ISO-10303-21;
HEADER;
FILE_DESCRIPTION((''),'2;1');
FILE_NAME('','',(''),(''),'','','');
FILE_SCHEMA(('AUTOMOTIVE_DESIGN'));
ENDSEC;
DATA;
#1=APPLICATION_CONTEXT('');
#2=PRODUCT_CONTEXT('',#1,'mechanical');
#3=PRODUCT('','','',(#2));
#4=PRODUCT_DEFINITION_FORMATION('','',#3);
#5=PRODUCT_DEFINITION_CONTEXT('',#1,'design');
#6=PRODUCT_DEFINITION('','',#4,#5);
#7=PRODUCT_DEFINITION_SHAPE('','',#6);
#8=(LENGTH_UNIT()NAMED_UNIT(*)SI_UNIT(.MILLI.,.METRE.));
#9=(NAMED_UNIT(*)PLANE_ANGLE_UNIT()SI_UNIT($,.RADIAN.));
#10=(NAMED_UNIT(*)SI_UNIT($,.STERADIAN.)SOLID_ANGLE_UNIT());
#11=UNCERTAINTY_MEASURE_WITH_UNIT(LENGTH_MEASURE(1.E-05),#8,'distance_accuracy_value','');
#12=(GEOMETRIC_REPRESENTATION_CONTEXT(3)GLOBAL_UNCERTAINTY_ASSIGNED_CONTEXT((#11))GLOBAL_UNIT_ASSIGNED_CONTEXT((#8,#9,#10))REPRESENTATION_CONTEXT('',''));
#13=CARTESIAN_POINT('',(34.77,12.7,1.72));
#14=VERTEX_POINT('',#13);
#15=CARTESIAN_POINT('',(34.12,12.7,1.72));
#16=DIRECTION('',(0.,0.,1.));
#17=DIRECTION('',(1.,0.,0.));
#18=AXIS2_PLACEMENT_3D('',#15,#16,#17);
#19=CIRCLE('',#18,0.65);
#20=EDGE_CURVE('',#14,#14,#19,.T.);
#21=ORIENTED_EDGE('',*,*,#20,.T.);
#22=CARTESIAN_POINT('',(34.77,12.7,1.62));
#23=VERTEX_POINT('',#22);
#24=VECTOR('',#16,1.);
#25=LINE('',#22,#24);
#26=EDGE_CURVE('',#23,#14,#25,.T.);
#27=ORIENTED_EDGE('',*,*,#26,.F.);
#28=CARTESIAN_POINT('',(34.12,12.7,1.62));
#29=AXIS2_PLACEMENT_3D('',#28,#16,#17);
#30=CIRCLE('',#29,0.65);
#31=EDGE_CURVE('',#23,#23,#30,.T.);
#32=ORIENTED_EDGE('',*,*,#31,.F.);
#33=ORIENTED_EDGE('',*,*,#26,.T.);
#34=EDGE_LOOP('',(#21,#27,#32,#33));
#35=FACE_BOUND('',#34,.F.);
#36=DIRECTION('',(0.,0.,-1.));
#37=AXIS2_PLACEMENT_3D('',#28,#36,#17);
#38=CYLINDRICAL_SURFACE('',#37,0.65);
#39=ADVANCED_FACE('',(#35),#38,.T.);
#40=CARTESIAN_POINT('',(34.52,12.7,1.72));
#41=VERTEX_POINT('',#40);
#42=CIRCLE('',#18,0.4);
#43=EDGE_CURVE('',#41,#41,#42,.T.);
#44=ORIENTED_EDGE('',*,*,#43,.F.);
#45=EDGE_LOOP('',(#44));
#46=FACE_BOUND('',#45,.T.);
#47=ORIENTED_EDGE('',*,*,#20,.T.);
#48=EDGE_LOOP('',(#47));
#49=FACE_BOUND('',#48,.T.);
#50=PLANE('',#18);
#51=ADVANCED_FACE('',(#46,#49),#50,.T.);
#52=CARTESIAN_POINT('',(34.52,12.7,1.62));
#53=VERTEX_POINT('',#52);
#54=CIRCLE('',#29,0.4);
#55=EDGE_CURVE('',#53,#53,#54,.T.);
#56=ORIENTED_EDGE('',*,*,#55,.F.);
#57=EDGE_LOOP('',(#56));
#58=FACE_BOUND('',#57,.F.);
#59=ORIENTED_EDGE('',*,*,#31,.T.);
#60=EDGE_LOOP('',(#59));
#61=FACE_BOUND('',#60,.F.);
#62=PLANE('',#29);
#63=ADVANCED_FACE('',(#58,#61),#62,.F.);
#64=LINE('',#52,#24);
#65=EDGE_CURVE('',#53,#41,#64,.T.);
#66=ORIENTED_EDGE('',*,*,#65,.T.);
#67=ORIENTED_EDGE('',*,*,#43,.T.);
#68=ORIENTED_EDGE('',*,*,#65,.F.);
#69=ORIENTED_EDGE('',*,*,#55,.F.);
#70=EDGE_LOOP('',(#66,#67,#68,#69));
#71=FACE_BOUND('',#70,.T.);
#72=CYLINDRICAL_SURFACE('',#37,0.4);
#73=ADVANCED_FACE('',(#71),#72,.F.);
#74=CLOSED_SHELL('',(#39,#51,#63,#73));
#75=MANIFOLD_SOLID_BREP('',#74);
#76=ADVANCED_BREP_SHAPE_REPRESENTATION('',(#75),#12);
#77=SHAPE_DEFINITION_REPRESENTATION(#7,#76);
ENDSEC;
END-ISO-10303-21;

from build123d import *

# Parameters (mm, degrees)
CYLINDER007_R     = 0.4
CYLINDER007_DEPTH = 0.1
CYLINDER006_R     = 0.65
CYLINDER006_DEPTH = 0.1


with BuildPart() as cylinder007:
    # Cylinder007 → Cylinder007 (new body)
    with BuildSketch(Plane.XY.offset(1.62)):
        Circle(CYLINDER007_R)
    extrude(amount=CYLINDER007_DEPTH)


with BuildPart() as cut018:
    # Cylinder006 → Cylinder006 (new body)
    with BuildSketch(Plane.XY.offset(1.62)):
        Circle(CYLINDER006_R)
    extrude(amount=CYLINDER006_DEPTH)

    # Cut018: cut Cylinder007
    add(cylinder007.part, mode=Mode.SUBTRACT)


with BuildPart() as cut018_1:
    # Cut018 placement: moved
    add(cut018.part.moved(Location((34.12, 12.7, 0))))


solid = cut018_1.part
